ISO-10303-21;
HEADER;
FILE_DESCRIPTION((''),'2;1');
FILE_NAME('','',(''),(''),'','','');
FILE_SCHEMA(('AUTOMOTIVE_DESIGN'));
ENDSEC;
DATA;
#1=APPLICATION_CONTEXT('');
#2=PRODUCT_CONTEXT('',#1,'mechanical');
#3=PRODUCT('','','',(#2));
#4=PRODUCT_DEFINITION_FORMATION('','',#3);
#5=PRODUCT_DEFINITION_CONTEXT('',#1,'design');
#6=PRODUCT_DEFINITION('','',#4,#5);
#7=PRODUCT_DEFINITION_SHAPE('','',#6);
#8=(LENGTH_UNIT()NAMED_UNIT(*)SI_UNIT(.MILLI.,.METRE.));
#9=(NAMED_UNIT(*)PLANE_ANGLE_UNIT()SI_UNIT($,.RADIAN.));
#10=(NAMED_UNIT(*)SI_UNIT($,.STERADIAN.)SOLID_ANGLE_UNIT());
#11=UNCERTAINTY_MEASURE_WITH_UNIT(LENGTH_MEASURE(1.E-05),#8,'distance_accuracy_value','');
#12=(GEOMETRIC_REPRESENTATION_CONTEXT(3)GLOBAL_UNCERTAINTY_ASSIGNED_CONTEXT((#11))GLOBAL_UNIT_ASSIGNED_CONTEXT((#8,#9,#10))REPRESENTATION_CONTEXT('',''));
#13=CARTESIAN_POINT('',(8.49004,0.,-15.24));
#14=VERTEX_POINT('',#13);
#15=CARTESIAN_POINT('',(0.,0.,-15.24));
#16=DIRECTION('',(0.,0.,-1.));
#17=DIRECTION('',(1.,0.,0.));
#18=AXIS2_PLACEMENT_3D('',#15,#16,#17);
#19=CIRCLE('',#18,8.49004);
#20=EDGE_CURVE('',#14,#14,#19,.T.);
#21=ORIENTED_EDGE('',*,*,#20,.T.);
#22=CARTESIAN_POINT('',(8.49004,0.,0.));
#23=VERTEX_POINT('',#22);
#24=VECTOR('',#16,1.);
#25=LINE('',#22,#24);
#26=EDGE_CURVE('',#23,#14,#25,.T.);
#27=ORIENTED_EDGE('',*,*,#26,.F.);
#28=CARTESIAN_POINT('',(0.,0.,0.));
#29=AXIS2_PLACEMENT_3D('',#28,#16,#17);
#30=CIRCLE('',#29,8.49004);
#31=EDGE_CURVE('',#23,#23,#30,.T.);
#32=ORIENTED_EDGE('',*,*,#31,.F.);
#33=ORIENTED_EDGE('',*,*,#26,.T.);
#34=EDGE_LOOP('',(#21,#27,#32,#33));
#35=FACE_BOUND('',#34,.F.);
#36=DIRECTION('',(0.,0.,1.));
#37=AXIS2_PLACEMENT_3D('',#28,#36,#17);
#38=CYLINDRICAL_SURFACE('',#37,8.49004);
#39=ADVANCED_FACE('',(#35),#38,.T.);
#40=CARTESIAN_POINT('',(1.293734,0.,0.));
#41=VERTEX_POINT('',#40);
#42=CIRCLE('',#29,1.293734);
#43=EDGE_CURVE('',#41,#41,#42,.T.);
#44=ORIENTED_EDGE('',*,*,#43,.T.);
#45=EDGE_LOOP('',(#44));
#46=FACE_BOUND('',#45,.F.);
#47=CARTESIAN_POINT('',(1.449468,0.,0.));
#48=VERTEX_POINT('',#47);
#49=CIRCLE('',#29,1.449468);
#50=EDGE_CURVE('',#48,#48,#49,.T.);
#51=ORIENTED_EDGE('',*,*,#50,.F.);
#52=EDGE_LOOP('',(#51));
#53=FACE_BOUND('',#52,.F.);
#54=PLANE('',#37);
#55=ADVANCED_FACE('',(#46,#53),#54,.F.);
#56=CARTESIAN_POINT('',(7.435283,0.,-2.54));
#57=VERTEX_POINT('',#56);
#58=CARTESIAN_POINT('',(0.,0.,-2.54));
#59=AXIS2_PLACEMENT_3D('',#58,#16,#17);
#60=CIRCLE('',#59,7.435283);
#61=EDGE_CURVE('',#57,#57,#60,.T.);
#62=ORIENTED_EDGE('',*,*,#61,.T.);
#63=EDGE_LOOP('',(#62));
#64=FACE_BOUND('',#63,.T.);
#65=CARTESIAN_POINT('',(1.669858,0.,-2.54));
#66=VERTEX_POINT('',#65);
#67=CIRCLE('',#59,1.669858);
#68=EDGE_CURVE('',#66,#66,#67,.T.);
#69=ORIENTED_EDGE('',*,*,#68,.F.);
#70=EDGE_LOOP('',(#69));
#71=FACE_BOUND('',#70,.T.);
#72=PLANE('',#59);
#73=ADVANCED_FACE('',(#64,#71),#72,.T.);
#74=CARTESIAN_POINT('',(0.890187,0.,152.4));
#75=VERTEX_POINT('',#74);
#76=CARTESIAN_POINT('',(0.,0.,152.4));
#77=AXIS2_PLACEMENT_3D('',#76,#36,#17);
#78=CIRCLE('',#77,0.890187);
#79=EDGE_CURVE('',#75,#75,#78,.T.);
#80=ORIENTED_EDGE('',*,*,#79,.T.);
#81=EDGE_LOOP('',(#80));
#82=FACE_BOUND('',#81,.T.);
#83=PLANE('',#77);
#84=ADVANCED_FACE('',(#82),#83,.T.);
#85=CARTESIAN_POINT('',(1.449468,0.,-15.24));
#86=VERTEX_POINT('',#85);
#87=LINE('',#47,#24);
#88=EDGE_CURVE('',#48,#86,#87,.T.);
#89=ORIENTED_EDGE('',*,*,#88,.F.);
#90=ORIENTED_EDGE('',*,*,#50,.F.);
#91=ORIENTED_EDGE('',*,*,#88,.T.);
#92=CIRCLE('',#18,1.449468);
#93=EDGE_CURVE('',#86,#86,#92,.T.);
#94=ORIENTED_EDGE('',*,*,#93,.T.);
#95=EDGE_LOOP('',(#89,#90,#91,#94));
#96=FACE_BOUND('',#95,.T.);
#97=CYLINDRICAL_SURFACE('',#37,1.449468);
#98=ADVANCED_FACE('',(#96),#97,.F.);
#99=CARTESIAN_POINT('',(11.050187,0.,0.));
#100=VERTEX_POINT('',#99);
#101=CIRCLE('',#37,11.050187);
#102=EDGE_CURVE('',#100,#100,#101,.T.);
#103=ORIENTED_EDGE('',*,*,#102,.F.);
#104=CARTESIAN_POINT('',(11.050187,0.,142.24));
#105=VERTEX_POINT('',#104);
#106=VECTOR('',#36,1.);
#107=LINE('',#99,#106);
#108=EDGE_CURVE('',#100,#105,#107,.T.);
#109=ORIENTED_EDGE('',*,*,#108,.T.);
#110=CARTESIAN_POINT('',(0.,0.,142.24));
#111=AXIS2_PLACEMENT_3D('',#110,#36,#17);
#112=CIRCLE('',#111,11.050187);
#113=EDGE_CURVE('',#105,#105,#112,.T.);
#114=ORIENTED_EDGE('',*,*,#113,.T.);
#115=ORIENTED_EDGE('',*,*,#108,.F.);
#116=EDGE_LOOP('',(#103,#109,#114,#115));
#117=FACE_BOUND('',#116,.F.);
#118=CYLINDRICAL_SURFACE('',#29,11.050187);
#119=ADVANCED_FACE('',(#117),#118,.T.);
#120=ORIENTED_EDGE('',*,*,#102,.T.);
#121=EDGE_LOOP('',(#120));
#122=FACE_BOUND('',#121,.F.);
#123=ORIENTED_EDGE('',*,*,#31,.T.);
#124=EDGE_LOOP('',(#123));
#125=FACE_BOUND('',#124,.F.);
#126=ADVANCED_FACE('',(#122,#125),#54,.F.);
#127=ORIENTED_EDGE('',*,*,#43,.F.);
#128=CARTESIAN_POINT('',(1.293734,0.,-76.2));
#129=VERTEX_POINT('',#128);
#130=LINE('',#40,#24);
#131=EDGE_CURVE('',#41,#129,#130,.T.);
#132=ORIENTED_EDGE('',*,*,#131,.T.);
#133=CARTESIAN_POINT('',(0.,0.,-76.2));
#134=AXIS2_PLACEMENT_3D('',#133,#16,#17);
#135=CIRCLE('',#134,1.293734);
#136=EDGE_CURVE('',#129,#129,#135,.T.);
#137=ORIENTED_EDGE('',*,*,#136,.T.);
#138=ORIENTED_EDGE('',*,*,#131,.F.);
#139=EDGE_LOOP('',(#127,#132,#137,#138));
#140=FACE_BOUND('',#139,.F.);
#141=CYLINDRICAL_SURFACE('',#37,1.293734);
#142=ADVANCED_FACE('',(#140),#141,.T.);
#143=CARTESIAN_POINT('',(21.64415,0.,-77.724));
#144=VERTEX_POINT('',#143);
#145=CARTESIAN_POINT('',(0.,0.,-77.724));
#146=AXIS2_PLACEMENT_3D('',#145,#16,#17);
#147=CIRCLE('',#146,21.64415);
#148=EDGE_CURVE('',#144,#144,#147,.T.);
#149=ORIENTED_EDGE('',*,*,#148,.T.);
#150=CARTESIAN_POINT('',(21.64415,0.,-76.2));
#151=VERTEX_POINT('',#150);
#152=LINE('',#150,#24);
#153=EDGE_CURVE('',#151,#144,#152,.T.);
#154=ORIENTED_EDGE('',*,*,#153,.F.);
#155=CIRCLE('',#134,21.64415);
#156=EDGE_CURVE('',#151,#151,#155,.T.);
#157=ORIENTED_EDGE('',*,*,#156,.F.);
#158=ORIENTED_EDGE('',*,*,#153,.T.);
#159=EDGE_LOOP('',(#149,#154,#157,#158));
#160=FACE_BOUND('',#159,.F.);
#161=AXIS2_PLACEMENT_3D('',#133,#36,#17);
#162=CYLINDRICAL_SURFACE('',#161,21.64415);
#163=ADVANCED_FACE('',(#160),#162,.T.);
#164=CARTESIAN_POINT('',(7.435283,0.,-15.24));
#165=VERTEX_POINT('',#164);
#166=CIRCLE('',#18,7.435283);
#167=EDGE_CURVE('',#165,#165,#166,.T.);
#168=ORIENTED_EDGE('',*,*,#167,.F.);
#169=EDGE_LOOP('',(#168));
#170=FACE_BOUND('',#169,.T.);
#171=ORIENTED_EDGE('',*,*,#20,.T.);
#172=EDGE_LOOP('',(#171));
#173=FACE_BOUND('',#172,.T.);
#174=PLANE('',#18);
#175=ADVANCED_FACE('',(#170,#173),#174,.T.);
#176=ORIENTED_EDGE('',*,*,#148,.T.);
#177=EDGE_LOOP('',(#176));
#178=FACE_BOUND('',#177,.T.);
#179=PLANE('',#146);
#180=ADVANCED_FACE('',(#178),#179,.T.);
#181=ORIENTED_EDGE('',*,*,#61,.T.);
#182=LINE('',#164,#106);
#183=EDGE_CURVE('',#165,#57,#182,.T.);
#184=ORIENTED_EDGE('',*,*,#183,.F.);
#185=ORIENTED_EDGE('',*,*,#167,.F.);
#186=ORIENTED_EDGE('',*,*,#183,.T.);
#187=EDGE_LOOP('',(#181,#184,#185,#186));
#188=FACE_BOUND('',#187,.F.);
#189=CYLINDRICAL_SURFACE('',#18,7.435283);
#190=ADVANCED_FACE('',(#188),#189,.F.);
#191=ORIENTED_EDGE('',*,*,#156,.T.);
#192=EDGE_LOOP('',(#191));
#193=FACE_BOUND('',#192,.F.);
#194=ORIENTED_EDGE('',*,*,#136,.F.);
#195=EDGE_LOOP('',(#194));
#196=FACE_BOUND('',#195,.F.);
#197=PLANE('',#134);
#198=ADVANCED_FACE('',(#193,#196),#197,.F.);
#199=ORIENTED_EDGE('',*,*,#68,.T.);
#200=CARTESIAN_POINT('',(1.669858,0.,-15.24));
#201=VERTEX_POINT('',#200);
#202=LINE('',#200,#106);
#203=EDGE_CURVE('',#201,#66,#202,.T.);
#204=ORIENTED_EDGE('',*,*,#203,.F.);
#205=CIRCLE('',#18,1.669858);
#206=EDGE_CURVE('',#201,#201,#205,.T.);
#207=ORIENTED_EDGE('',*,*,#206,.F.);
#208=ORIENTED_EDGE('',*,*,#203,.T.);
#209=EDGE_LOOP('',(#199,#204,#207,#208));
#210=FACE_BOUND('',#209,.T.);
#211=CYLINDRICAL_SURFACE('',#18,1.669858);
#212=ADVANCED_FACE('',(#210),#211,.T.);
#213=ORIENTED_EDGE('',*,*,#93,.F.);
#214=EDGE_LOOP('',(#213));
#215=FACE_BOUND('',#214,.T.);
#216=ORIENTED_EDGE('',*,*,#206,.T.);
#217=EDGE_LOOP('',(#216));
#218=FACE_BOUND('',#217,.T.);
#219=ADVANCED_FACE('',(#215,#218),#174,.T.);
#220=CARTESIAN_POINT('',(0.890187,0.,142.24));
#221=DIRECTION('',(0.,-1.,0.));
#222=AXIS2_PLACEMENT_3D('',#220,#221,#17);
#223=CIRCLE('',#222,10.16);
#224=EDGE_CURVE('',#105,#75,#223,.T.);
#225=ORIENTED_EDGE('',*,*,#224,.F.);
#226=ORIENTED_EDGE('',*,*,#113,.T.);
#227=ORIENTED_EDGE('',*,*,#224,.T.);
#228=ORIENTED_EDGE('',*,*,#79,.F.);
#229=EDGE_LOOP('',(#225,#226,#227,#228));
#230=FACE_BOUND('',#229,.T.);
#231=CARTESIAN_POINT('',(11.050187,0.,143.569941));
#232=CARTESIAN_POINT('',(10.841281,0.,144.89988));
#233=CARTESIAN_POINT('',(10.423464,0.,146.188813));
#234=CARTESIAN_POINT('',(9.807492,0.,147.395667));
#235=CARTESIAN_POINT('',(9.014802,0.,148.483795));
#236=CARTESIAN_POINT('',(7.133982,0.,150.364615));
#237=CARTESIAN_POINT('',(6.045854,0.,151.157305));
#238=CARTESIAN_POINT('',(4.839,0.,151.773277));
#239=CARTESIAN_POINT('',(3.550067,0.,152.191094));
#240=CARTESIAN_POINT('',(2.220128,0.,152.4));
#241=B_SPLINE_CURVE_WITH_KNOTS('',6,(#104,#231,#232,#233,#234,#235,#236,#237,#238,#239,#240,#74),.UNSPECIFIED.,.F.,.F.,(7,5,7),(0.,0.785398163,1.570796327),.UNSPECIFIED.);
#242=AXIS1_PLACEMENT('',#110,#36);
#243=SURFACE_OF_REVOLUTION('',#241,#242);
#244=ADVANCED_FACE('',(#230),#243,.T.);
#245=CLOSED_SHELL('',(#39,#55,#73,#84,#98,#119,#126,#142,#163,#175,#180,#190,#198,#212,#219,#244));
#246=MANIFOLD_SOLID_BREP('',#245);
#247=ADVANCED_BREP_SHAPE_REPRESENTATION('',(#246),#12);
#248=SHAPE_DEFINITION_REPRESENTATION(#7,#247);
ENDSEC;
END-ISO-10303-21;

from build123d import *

# Parameters (mm, degrees)
F0_R      = 11.050187
F1_DEPTH  = 152.4
F2_R      = 10.16
F3_R      = 1.293734
F4_DEPTH  = 76.2
F5_R      = 8.49004
F5_R_2    = 1.449468
F6_DEPTH  = 15.24
F7_R      = 7.435283
F7_R_2    = 1.669858
F8_DEPTH  = 12.7
F9_R      = 21.64415
F10_DEPTH = 1.524


with BuildPart() as f1:
    # F0 (on Top) → F1 (new body)
    with BuildSketch(Plane.XY):
        Circle(F0_R)
    extrude(amount=F1_DEPTH)

    # F2
    f2_edges = [f1.edges().sort_by_distance(p)[0] for p in [
        (-11.050187, 0, 152.4),
    ]]
    fillet(f2_edges, radius=F2_R)

    # F3 (on face) → F4 (join)
    with BuildSketch(Plane(origin=(0, 0, 0), x_dir=(1, 0, 0), z_dir=(0, 0, -1))):
        Circle(F3_R)
    extrude(amount=F4_DEPTH)

    # F5 (on face) → F6 (join)
    with BuildSketch(Plane(origin=(0, 0, 0), x_dir=(1, 0, 0), z_dir=(0, 0, -1))):
        Circle(F5_R)
        Circle(F5_R_2, mode=Mode.SUBTRACT)
    extrude(amount=F6_DEPTH)

    # F7 (on face) → F8 (cut)
    with BuildSketch(Plane(origin=(0, 0, -15.24), x_dir=(1, 0, 0), z_dir=(0, 0, -1))):
        Circle(F7_R)
        Circle(F7_R_2, mode=Mode.SUBTRACT)
    extrude(amount=-F8_DEPTH, mode=Mode.SUBTRACT)

    # F9 (on face) → F10 (join)
    with BuildSketch(Plane(origin=(0, 0, -76.2), x_dir=(1, 0, 0), z_dir=(0, 0, -1))):
        Circle(F9_R)
    extrude(amount=F10_DEPTH)


solid = f1.part
